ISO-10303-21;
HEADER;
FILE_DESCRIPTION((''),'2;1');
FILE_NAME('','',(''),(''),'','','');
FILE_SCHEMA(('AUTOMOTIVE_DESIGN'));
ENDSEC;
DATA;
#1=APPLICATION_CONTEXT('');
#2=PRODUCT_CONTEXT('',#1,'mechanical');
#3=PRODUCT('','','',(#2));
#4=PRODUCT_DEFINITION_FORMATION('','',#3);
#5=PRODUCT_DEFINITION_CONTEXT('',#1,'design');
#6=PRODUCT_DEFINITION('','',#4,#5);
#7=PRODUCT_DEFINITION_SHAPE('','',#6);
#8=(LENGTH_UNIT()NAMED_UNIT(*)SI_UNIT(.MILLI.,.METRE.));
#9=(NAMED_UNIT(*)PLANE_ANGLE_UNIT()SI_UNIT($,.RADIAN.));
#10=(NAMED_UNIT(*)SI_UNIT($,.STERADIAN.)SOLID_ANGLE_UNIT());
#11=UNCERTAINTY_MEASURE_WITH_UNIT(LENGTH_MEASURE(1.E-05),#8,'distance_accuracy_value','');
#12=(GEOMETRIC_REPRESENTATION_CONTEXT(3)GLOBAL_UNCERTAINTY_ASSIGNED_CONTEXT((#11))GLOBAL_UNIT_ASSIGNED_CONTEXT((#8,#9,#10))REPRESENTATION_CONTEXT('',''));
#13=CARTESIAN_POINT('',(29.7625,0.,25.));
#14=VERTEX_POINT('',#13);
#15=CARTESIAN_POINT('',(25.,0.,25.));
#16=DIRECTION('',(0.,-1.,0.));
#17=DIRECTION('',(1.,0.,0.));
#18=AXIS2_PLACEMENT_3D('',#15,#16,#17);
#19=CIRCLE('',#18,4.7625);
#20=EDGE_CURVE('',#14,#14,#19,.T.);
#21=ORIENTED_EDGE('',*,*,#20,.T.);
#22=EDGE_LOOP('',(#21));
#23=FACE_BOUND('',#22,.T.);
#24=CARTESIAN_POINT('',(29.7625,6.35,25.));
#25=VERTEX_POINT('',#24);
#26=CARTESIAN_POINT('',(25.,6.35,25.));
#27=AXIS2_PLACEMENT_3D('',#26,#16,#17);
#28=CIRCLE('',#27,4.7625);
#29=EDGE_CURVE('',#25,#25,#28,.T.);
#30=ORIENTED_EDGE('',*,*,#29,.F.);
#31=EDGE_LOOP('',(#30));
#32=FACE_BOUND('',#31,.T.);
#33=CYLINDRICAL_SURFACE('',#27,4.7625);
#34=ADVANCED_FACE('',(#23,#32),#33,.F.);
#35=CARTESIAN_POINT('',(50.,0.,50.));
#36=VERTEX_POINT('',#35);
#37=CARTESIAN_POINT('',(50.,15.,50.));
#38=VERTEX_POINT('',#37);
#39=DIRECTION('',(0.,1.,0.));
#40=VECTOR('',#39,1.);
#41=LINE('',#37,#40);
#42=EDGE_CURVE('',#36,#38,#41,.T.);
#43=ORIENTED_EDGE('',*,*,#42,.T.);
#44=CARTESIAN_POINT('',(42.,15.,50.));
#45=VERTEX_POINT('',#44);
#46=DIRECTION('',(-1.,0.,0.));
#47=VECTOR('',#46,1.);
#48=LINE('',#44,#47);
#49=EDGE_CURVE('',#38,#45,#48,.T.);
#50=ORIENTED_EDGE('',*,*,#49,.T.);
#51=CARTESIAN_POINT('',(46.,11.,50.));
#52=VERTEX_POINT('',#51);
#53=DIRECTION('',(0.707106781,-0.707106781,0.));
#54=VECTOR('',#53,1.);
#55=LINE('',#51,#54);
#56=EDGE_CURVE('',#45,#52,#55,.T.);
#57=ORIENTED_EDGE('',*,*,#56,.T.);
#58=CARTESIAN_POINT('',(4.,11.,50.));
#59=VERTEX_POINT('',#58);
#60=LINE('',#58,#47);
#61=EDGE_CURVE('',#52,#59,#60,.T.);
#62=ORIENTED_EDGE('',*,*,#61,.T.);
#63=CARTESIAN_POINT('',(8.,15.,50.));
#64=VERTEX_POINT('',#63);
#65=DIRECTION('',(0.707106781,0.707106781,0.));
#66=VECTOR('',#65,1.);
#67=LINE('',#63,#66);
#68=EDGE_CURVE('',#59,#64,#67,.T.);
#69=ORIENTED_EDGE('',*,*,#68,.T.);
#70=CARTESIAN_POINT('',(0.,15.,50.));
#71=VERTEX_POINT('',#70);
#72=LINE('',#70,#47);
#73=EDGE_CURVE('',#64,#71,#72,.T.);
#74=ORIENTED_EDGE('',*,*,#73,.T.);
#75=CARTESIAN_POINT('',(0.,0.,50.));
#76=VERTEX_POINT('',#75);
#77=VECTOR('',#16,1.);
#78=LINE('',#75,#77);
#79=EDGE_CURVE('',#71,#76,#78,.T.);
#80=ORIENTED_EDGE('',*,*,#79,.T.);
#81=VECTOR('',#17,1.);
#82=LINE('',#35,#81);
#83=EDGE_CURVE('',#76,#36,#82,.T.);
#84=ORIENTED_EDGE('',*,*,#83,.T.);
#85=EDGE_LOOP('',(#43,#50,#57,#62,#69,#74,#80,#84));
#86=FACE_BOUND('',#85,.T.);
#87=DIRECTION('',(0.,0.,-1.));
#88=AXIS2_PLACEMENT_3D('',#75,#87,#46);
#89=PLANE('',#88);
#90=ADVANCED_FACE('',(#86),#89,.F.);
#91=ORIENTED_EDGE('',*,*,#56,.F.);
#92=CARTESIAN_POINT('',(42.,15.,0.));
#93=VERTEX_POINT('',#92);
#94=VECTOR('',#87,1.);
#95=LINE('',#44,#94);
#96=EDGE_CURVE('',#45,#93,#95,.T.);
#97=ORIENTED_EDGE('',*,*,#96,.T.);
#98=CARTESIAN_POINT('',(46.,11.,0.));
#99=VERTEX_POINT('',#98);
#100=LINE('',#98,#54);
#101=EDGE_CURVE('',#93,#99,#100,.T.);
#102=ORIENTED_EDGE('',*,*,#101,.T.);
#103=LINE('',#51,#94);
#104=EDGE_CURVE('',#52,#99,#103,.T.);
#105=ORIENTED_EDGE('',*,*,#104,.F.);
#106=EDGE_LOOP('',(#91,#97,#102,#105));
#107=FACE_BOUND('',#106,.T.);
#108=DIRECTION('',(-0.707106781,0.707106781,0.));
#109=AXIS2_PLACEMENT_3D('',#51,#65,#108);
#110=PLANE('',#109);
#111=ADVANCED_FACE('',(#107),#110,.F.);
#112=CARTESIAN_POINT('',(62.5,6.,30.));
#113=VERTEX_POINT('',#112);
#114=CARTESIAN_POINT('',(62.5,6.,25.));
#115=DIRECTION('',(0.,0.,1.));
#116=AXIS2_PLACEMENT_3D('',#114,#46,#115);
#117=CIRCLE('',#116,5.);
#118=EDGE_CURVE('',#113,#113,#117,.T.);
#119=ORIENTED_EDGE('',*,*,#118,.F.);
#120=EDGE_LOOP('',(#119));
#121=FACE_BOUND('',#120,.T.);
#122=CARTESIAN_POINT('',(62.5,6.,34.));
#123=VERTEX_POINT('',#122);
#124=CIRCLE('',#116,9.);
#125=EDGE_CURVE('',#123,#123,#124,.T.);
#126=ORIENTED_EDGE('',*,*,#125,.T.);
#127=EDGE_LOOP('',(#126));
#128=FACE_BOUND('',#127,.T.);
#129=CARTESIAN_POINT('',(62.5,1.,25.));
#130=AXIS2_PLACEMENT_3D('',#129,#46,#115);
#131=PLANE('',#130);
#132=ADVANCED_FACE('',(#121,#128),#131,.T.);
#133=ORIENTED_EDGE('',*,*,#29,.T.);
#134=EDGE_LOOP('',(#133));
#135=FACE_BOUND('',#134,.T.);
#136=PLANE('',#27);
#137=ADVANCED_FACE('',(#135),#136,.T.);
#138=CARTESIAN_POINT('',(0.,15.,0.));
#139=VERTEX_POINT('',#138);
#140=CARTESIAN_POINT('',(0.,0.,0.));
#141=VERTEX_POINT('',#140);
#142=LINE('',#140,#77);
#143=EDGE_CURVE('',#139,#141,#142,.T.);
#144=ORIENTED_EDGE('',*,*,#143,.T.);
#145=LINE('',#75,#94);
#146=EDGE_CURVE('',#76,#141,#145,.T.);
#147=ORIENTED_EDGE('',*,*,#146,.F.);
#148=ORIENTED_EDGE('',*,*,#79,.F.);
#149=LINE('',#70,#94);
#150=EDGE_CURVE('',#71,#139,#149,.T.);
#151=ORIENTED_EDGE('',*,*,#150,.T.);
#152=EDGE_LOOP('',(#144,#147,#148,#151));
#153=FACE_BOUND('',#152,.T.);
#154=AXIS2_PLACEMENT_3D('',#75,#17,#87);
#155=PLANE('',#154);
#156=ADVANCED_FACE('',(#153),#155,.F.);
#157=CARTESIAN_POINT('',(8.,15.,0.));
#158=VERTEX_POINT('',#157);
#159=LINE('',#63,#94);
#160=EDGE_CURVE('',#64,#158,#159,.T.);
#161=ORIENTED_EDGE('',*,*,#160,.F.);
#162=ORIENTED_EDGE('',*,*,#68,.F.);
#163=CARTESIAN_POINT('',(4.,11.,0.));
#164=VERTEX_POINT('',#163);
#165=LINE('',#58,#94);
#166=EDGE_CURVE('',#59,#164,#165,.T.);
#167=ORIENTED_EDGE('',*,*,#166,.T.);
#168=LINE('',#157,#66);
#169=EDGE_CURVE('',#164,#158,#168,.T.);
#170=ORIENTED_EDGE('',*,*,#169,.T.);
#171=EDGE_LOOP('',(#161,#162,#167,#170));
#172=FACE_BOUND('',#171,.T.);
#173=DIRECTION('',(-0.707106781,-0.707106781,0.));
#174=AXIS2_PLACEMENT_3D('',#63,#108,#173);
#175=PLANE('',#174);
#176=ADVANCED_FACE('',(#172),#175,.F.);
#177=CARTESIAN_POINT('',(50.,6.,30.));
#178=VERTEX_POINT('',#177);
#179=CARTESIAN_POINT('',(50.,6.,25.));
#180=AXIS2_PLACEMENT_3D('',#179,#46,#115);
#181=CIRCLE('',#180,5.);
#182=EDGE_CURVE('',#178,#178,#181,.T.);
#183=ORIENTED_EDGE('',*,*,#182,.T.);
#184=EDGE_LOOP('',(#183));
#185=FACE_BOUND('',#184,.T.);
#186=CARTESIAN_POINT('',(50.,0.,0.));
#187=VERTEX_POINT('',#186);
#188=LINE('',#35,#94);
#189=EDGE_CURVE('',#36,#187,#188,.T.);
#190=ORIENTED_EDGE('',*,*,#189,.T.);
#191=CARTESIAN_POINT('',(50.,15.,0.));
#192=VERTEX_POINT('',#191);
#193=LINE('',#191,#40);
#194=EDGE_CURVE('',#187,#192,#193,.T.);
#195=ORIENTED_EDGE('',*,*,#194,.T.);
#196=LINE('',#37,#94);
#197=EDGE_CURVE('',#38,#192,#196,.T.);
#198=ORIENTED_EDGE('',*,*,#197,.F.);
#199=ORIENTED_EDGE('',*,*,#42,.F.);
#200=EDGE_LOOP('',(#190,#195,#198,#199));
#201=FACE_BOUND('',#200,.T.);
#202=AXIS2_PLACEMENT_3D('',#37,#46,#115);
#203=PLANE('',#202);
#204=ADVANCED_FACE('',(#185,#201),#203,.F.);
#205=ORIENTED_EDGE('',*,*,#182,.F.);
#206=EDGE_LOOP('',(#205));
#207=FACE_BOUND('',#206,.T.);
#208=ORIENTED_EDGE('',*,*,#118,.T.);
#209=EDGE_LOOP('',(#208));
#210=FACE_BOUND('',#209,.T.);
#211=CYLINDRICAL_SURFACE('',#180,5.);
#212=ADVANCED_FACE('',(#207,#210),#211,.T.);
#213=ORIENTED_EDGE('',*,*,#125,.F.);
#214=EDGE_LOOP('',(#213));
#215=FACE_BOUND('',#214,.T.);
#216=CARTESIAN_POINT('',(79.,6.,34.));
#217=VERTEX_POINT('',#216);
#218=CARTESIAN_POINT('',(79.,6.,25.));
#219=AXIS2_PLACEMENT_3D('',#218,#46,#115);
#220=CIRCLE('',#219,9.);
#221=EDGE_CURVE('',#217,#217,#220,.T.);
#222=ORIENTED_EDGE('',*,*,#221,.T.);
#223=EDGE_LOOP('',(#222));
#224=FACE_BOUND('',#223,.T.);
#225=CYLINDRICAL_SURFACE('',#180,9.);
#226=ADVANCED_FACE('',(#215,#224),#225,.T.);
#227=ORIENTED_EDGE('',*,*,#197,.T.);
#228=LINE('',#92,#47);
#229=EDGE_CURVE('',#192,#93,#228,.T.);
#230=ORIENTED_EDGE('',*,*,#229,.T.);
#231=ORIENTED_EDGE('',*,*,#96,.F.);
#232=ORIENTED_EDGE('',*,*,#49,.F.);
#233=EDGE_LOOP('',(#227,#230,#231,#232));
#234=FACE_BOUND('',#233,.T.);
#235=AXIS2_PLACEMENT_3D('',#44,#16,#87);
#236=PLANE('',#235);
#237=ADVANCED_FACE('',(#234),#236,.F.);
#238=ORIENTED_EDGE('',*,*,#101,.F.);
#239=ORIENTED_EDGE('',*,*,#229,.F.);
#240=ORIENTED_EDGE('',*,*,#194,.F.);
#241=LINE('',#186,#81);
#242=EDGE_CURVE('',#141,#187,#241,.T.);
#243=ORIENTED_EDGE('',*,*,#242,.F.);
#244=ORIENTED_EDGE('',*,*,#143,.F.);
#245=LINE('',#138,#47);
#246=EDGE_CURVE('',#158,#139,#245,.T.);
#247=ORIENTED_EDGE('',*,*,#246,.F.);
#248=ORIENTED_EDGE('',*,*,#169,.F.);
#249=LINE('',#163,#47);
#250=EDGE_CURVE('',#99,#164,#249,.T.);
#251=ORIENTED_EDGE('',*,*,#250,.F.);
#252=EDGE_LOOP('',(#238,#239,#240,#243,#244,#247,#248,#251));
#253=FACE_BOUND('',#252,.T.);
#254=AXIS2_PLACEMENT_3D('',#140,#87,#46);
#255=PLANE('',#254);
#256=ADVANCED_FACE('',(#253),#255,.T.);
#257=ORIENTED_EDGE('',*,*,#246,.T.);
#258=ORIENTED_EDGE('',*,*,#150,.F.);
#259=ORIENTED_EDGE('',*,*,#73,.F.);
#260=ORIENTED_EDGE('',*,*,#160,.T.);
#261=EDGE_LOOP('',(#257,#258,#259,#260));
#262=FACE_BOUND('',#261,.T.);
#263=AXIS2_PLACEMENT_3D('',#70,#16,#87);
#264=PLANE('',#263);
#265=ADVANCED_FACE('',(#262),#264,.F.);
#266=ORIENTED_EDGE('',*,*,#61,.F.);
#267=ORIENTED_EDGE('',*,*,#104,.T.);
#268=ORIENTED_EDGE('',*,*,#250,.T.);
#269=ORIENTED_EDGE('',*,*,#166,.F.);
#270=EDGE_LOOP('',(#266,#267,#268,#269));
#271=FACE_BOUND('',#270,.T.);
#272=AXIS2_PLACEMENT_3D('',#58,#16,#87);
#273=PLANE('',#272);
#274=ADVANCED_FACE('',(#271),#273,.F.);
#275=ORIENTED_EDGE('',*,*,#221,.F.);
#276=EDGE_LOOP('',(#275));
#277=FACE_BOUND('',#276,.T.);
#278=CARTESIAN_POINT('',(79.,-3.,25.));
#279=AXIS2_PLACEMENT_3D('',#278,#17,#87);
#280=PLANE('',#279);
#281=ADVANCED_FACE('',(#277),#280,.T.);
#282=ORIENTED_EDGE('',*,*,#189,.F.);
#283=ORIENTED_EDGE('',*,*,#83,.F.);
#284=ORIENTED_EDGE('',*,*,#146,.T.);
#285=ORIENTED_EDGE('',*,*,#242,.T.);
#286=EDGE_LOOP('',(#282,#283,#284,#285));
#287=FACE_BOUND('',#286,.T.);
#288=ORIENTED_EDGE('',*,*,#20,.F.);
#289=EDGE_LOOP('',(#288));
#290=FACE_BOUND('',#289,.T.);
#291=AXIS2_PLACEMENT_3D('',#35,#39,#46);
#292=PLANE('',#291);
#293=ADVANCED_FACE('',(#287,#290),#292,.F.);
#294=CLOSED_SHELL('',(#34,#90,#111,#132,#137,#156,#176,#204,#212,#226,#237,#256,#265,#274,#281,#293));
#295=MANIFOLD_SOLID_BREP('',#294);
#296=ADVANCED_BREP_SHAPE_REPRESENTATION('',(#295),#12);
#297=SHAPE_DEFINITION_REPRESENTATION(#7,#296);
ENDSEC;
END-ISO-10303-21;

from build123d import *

# Parameters (mm, degrees)
BOSS_EXTRUDE1_DEPTH = 50
SKETCH3_R           = 4.7625
CUT_EXTRUDE1_DEPTH  = 6.35


with BuildPart() as part:
    # Sketch1 → Boss-Extrude1 (new body)
    with BuildSketch(Plane.XY):
        Polygon((0, 0), (0, 15), (8, 15), (4, 11), (46, 11), (42, 15), (50, 15), (50, 0), align=None)
    extrude(amount=BOSS_EXTRUDE1_DEPTH)

    # Sketch2 → Revolve2 (revolve)
    with BuildSketch(Plane.XY.offset(25)):
        Polygon((50, 6), (50, 1), (62.5, 1), (62.5, -3), (79, -3), (79, 6), align=None)
    revolve(axis=Axis((50, 6, 25), (1, 0, 0)))

    # Sketch3 → Cut-Extrude1 (cut)
    with BuildSketch(Plane.XZ):
        with Locations((25, 25)):
            Circle(SKETCH3_R)
    extrude(amount=-CUT_EXTRUDE1_DEPTH, mode=Mode.SUBTRACT)


solid = part.part
